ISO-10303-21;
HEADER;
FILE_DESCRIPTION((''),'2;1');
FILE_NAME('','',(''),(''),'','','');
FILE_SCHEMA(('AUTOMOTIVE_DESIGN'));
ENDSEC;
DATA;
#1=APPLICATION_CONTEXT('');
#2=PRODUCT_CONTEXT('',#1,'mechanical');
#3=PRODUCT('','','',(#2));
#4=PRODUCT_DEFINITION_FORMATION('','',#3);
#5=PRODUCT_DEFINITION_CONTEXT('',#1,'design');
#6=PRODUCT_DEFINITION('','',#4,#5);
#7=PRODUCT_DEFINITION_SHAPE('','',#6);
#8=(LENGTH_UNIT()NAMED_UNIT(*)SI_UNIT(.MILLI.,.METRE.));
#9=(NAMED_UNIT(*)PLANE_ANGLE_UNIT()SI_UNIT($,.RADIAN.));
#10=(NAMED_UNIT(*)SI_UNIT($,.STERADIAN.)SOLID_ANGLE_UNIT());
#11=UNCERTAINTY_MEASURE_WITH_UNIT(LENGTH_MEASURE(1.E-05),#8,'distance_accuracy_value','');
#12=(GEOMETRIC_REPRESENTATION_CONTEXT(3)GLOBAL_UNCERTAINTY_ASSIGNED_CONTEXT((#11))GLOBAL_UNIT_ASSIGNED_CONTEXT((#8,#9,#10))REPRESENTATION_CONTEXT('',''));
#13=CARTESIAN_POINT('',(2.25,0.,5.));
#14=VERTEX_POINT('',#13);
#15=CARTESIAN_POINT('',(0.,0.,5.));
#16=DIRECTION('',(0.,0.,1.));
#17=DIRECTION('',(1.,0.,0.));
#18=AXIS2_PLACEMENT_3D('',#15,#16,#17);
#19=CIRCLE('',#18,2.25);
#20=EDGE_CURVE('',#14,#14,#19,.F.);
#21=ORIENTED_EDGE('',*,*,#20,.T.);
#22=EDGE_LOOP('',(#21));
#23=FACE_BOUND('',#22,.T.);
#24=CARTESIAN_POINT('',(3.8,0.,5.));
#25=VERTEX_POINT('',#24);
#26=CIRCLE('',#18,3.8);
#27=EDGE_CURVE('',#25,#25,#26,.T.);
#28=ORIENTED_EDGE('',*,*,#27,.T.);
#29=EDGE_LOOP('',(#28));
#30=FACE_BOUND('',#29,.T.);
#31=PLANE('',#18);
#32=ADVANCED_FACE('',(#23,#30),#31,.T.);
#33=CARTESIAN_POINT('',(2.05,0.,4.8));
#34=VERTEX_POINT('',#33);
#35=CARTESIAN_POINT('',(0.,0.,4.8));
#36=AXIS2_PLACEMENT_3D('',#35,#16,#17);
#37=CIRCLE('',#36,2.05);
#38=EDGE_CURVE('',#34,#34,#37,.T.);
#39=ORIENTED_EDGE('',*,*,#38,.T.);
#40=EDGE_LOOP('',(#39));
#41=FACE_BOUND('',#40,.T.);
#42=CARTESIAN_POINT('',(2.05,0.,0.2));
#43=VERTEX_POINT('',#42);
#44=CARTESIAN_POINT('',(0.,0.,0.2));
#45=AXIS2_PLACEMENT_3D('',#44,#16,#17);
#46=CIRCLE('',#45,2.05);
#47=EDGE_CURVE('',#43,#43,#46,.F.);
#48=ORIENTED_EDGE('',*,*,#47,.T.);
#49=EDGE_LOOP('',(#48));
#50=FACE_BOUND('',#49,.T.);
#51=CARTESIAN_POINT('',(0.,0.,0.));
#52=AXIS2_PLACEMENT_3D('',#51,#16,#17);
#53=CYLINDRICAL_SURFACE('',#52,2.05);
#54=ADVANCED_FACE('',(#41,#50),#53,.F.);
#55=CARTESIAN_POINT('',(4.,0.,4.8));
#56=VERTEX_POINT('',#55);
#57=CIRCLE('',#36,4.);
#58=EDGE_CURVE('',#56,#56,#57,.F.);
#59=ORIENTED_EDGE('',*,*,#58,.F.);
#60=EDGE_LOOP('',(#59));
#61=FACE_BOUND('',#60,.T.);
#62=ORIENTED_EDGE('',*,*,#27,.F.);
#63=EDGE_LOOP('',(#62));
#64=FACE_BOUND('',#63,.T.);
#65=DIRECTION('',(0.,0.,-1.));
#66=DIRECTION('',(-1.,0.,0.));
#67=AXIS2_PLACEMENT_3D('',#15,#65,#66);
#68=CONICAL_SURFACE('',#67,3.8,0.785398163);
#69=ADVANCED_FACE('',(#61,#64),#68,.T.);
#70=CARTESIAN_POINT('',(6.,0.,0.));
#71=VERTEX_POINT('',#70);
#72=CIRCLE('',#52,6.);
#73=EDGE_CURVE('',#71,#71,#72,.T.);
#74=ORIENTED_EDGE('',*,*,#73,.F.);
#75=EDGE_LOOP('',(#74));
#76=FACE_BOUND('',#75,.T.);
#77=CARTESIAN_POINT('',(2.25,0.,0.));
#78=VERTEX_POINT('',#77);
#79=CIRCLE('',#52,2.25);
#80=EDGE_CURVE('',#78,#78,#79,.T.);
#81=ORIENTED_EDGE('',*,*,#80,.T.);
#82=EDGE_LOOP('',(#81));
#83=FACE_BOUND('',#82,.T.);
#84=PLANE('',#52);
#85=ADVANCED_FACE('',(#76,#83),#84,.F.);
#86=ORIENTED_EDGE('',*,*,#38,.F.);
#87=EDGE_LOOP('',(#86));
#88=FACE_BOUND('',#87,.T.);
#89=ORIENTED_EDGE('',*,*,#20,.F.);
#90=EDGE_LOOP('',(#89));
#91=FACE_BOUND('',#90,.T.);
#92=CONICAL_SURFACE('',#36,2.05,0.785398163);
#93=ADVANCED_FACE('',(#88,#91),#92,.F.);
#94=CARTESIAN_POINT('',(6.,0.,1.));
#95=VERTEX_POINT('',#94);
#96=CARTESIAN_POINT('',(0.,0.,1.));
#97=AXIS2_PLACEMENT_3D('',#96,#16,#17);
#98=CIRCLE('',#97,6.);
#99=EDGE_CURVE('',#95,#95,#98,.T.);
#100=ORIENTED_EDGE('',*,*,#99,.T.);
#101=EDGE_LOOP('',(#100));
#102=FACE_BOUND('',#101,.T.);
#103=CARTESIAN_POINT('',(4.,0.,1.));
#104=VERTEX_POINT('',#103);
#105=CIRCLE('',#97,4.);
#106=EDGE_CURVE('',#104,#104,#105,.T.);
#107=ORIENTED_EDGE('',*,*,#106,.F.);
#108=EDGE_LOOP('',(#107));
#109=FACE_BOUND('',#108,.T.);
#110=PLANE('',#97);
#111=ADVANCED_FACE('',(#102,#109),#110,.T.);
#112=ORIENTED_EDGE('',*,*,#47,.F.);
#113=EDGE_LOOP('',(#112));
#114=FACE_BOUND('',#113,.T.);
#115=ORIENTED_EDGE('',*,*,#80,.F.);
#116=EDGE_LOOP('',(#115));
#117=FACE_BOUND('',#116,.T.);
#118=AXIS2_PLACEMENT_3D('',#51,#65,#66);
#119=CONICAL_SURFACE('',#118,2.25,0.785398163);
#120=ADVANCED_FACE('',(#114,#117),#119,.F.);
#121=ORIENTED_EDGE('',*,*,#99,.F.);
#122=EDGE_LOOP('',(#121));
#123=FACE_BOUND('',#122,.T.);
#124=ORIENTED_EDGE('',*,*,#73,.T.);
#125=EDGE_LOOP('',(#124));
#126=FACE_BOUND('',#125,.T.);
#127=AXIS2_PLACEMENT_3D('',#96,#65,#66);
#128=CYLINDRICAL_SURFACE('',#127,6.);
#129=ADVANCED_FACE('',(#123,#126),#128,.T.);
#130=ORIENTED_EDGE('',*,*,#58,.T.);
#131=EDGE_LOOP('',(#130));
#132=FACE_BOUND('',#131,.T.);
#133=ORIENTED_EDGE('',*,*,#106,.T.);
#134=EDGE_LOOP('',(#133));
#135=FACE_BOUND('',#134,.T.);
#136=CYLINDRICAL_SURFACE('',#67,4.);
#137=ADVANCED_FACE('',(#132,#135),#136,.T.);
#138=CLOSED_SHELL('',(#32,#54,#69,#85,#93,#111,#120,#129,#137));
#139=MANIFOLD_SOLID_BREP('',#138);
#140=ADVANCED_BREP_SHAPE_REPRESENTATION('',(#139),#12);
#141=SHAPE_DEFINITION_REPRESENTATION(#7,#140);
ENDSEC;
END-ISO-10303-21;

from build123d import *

# Parameters (mm, degrees)
SKETCH_1_R          = 6
EXTRUDE_1_DEPTH     = 1
SKETCH_2_R          = 4
EXTRUDE_2_DEPTH     = 4
SKETCH_3_R          = 2.05
CUT_EXTRUDE_1_DEPTH = 10.848857802
CHAMFER_1_SIZE      = 0.2


with BuildPart() as part:
    # 草图1 → 凸台-拉伸1 (new body)
    with BuildSketch(Plane.XY):
        Circle(SKETCH_1_R)
    extrude(amount=EXTRUDE_1_DEPTH)

    # 草图2 → 凸台-拉伸2 (add)
    with BuildSketch(Plane.XY.offset(1)):
        Circle(SKETCH_2_R)
    extrude(amount=EXTRUDE_2_DEPTH)

    # 草图3 → 切除-拉伸1 (cut, through all)
    with BuildSketch(Plane.XY.offset(5)):
        Circle(SKETCH_3_R)
    extrude(amount=-CUT_EXTRUDE_1_DEPTH, mode=Mode.SUBTRACT)

    # 倒角1
    chamfer_1_edges = [part.edges().sort_by_distance(p)[0] for p in [
        (-2.05, 0, 0),
        (-2.05, 0, 5),
        (-4, 0, 5),
    ]]
    chamfer(chamfer_1_edges, length=CHAMFER_1_SIZE)


solid = part.part
